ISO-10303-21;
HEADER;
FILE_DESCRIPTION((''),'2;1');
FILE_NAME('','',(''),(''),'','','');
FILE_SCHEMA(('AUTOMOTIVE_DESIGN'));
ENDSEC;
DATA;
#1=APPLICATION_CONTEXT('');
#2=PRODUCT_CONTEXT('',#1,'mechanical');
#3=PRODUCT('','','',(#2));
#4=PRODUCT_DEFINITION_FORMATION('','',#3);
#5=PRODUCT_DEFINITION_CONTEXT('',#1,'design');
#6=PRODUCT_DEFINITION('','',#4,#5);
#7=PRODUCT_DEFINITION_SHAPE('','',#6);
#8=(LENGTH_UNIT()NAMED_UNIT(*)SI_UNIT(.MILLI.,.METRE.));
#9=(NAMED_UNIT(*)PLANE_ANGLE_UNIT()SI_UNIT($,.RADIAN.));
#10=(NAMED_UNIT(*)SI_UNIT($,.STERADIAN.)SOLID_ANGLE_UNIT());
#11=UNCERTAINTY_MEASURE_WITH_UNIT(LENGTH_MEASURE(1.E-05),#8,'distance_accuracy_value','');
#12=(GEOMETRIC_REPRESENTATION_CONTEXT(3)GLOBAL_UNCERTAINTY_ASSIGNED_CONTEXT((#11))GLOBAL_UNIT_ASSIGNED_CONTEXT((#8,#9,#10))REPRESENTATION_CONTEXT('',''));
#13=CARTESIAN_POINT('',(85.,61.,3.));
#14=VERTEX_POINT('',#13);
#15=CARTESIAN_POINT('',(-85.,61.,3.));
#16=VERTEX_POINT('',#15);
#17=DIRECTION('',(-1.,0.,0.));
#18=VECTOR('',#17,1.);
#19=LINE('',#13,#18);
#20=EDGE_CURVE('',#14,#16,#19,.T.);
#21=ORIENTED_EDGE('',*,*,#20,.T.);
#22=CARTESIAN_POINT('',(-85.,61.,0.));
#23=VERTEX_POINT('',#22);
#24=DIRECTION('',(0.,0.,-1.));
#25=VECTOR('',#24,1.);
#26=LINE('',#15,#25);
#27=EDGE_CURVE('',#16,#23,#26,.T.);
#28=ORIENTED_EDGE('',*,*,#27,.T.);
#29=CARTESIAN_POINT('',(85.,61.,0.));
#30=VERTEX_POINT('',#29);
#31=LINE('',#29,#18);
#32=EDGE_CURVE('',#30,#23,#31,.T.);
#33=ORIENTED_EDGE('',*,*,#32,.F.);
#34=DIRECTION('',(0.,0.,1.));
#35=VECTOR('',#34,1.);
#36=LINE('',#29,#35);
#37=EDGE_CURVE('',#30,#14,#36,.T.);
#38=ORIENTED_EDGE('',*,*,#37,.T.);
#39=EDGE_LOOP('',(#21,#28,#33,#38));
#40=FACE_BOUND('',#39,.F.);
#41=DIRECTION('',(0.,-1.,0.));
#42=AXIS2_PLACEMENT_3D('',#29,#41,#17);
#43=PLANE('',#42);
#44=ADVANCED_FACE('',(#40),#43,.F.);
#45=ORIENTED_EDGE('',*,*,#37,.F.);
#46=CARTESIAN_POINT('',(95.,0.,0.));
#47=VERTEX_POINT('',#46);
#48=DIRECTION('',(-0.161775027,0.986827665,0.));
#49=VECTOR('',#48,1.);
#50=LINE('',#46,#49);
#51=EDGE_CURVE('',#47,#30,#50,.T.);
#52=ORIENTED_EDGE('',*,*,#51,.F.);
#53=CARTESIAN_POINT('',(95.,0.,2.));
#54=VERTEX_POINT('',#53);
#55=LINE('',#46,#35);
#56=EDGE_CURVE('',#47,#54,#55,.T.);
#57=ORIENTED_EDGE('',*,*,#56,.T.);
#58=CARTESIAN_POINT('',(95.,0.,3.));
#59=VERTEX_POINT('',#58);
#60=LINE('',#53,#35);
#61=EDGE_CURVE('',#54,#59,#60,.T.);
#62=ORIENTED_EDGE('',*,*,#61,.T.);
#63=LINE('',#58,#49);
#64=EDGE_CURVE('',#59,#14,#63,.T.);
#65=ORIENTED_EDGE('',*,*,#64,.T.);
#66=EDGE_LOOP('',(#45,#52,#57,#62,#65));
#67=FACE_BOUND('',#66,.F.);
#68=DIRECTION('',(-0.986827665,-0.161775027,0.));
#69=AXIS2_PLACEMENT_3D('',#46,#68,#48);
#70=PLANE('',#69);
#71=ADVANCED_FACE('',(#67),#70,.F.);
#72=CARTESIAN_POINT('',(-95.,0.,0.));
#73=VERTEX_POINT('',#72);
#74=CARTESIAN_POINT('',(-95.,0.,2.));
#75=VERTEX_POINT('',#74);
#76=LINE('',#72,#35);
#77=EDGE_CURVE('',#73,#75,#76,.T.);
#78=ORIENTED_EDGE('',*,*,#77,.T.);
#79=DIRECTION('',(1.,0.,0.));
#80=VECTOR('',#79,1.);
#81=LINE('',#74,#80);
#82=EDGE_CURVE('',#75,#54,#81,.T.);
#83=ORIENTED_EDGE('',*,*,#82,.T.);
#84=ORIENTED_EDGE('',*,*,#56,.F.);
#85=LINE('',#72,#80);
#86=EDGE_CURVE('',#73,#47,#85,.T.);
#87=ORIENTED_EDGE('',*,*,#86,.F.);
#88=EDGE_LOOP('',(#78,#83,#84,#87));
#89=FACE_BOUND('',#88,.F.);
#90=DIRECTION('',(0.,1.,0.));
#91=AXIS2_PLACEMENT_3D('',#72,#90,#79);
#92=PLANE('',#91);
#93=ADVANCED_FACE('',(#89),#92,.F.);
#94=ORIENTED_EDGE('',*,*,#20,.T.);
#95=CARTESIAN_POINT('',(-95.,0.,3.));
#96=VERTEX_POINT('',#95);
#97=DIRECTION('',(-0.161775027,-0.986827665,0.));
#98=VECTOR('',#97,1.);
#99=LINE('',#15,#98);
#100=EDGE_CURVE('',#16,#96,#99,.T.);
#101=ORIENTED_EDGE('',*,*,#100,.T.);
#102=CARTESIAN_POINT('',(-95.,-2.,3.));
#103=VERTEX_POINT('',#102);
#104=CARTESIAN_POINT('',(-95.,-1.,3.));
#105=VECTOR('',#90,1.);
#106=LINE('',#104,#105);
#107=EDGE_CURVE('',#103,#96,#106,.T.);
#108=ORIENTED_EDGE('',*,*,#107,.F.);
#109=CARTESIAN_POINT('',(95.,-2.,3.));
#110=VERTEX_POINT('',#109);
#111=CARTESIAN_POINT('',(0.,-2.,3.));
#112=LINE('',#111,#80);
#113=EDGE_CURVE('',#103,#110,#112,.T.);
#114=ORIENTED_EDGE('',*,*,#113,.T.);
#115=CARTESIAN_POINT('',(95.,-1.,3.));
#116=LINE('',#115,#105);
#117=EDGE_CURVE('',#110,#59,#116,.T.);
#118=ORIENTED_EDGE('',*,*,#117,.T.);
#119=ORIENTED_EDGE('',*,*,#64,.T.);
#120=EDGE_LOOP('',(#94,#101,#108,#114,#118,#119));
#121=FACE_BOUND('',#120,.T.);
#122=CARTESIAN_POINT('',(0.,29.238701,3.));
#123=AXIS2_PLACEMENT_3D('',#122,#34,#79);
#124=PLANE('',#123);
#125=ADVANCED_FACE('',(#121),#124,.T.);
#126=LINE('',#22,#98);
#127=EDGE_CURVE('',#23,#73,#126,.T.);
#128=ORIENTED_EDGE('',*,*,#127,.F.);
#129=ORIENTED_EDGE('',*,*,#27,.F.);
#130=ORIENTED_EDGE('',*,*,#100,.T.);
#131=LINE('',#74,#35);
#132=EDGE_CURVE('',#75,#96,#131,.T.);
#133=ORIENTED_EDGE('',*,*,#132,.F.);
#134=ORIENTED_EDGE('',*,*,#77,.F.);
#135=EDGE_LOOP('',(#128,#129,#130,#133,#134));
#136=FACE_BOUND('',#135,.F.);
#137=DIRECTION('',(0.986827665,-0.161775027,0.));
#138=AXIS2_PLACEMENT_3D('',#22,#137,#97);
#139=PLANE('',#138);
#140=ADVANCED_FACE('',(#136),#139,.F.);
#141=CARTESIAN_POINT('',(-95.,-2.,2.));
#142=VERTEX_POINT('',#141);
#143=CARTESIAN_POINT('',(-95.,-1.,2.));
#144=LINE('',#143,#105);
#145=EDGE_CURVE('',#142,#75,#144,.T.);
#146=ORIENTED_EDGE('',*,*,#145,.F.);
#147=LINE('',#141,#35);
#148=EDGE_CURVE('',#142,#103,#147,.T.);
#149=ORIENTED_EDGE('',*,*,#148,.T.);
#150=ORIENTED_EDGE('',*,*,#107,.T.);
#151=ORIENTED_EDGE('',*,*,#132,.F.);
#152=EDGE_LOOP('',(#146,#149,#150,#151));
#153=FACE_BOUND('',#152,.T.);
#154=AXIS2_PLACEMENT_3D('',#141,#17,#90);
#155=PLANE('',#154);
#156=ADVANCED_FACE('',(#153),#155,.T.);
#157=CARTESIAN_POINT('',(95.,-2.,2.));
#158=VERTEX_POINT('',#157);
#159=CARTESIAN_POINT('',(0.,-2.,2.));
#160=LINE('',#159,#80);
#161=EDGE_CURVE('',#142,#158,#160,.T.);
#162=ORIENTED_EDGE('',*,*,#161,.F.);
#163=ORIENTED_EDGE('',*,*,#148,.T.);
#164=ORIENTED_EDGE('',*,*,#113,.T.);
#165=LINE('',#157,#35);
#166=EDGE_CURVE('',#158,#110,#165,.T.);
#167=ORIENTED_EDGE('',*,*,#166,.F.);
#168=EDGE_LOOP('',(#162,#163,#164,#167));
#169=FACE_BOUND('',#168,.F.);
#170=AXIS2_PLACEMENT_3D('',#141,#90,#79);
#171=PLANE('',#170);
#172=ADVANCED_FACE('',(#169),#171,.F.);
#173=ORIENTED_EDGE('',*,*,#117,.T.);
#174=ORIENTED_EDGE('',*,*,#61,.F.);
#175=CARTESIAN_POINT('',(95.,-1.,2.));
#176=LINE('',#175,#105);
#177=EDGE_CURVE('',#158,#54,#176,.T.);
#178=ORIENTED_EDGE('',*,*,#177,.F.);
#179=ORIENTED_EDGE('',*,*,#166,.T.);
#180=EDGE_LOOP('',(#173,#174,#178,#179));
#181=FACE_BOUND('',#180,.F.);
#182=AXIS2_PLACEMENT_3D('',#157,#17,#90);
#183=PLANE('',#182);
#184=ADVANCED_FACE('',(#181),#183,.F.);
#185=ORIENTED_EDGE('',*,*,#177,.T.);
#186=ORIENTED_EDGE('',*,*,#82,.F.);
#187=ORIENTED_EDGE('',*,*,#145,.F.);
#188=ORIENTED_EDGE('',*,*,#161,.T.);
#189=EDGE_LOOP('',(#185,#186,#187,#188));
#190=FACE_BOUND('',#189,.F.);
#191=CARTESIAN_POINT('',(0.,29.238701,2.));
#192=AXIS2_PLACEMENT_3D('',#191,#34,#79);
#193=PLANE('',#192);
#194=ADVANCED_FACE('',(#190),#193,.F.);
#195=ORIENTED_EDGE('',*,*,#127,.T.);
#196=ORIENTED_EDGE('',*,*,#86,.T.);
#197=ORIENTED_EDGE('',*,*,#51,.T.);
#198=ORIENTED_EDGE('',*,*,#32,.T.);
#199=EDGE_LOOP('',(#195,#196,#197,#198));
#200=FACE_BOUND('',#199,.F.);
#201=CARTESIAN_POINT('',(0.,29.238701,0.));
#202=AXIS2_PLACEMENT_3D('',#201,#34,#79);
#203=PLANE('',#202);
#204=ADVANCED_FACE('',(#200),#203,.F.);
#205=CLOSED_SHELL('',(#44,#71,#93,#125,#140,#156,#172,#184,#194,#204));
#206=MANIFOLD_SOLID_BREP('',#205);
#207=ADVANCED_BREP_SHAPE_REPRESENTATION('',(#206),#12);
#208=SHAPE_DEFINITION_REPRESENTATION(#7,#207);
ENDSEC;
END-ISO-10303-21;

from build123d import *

# Parameters (mm, degrees)
EXTRUDE001_DEPTH = 1
EXTRUDE_DEPTH    = 2
BOX_W            = 190
BOX_H            = 2
BOX_DEPTH        = 1


with BuildPart() as extrude001:
    # Sketch001 → Extrude001 (new body)
    with BuildSketch(Plane.XY):
        Polygon((-95, 0), (95, 0), (85, 61), (-85, 61), align=None)
    extrude(amount=EXTRUDE001_DEPTH)


with BuildPart() as extrude001_1:
    # Extrude001 placement: moved
    add(extrude001.part.moved(Location((0, 0, 2))))


with BuildPart() as extrude_body:
    # Sketch → Extrude (new body)
    with BuildSketch(Plane.XY):
        Polygon((-95, 0), (95, 0), (85, 61), (-85, 61), align=None)
    extrude(amount=EXTRUDE_DEPTH)


with BuildPart() as fusion:
    # Box → Box (new body)
    with BuildSketch(Plane(origin=(-95, -2, 2), x_dir=(1, 0, 0), z_dir=(0, 0, 1))):
        with Locations((95, 1)):
            Rectangle(BOX_W, BOX_H)
    extrude(amount=BOX_DEPTH)

    # Fusion: union Extrude001, Extrude body
    add(extrude001_1.part)
    add(extrude_body.part)


solid = fusion.part
